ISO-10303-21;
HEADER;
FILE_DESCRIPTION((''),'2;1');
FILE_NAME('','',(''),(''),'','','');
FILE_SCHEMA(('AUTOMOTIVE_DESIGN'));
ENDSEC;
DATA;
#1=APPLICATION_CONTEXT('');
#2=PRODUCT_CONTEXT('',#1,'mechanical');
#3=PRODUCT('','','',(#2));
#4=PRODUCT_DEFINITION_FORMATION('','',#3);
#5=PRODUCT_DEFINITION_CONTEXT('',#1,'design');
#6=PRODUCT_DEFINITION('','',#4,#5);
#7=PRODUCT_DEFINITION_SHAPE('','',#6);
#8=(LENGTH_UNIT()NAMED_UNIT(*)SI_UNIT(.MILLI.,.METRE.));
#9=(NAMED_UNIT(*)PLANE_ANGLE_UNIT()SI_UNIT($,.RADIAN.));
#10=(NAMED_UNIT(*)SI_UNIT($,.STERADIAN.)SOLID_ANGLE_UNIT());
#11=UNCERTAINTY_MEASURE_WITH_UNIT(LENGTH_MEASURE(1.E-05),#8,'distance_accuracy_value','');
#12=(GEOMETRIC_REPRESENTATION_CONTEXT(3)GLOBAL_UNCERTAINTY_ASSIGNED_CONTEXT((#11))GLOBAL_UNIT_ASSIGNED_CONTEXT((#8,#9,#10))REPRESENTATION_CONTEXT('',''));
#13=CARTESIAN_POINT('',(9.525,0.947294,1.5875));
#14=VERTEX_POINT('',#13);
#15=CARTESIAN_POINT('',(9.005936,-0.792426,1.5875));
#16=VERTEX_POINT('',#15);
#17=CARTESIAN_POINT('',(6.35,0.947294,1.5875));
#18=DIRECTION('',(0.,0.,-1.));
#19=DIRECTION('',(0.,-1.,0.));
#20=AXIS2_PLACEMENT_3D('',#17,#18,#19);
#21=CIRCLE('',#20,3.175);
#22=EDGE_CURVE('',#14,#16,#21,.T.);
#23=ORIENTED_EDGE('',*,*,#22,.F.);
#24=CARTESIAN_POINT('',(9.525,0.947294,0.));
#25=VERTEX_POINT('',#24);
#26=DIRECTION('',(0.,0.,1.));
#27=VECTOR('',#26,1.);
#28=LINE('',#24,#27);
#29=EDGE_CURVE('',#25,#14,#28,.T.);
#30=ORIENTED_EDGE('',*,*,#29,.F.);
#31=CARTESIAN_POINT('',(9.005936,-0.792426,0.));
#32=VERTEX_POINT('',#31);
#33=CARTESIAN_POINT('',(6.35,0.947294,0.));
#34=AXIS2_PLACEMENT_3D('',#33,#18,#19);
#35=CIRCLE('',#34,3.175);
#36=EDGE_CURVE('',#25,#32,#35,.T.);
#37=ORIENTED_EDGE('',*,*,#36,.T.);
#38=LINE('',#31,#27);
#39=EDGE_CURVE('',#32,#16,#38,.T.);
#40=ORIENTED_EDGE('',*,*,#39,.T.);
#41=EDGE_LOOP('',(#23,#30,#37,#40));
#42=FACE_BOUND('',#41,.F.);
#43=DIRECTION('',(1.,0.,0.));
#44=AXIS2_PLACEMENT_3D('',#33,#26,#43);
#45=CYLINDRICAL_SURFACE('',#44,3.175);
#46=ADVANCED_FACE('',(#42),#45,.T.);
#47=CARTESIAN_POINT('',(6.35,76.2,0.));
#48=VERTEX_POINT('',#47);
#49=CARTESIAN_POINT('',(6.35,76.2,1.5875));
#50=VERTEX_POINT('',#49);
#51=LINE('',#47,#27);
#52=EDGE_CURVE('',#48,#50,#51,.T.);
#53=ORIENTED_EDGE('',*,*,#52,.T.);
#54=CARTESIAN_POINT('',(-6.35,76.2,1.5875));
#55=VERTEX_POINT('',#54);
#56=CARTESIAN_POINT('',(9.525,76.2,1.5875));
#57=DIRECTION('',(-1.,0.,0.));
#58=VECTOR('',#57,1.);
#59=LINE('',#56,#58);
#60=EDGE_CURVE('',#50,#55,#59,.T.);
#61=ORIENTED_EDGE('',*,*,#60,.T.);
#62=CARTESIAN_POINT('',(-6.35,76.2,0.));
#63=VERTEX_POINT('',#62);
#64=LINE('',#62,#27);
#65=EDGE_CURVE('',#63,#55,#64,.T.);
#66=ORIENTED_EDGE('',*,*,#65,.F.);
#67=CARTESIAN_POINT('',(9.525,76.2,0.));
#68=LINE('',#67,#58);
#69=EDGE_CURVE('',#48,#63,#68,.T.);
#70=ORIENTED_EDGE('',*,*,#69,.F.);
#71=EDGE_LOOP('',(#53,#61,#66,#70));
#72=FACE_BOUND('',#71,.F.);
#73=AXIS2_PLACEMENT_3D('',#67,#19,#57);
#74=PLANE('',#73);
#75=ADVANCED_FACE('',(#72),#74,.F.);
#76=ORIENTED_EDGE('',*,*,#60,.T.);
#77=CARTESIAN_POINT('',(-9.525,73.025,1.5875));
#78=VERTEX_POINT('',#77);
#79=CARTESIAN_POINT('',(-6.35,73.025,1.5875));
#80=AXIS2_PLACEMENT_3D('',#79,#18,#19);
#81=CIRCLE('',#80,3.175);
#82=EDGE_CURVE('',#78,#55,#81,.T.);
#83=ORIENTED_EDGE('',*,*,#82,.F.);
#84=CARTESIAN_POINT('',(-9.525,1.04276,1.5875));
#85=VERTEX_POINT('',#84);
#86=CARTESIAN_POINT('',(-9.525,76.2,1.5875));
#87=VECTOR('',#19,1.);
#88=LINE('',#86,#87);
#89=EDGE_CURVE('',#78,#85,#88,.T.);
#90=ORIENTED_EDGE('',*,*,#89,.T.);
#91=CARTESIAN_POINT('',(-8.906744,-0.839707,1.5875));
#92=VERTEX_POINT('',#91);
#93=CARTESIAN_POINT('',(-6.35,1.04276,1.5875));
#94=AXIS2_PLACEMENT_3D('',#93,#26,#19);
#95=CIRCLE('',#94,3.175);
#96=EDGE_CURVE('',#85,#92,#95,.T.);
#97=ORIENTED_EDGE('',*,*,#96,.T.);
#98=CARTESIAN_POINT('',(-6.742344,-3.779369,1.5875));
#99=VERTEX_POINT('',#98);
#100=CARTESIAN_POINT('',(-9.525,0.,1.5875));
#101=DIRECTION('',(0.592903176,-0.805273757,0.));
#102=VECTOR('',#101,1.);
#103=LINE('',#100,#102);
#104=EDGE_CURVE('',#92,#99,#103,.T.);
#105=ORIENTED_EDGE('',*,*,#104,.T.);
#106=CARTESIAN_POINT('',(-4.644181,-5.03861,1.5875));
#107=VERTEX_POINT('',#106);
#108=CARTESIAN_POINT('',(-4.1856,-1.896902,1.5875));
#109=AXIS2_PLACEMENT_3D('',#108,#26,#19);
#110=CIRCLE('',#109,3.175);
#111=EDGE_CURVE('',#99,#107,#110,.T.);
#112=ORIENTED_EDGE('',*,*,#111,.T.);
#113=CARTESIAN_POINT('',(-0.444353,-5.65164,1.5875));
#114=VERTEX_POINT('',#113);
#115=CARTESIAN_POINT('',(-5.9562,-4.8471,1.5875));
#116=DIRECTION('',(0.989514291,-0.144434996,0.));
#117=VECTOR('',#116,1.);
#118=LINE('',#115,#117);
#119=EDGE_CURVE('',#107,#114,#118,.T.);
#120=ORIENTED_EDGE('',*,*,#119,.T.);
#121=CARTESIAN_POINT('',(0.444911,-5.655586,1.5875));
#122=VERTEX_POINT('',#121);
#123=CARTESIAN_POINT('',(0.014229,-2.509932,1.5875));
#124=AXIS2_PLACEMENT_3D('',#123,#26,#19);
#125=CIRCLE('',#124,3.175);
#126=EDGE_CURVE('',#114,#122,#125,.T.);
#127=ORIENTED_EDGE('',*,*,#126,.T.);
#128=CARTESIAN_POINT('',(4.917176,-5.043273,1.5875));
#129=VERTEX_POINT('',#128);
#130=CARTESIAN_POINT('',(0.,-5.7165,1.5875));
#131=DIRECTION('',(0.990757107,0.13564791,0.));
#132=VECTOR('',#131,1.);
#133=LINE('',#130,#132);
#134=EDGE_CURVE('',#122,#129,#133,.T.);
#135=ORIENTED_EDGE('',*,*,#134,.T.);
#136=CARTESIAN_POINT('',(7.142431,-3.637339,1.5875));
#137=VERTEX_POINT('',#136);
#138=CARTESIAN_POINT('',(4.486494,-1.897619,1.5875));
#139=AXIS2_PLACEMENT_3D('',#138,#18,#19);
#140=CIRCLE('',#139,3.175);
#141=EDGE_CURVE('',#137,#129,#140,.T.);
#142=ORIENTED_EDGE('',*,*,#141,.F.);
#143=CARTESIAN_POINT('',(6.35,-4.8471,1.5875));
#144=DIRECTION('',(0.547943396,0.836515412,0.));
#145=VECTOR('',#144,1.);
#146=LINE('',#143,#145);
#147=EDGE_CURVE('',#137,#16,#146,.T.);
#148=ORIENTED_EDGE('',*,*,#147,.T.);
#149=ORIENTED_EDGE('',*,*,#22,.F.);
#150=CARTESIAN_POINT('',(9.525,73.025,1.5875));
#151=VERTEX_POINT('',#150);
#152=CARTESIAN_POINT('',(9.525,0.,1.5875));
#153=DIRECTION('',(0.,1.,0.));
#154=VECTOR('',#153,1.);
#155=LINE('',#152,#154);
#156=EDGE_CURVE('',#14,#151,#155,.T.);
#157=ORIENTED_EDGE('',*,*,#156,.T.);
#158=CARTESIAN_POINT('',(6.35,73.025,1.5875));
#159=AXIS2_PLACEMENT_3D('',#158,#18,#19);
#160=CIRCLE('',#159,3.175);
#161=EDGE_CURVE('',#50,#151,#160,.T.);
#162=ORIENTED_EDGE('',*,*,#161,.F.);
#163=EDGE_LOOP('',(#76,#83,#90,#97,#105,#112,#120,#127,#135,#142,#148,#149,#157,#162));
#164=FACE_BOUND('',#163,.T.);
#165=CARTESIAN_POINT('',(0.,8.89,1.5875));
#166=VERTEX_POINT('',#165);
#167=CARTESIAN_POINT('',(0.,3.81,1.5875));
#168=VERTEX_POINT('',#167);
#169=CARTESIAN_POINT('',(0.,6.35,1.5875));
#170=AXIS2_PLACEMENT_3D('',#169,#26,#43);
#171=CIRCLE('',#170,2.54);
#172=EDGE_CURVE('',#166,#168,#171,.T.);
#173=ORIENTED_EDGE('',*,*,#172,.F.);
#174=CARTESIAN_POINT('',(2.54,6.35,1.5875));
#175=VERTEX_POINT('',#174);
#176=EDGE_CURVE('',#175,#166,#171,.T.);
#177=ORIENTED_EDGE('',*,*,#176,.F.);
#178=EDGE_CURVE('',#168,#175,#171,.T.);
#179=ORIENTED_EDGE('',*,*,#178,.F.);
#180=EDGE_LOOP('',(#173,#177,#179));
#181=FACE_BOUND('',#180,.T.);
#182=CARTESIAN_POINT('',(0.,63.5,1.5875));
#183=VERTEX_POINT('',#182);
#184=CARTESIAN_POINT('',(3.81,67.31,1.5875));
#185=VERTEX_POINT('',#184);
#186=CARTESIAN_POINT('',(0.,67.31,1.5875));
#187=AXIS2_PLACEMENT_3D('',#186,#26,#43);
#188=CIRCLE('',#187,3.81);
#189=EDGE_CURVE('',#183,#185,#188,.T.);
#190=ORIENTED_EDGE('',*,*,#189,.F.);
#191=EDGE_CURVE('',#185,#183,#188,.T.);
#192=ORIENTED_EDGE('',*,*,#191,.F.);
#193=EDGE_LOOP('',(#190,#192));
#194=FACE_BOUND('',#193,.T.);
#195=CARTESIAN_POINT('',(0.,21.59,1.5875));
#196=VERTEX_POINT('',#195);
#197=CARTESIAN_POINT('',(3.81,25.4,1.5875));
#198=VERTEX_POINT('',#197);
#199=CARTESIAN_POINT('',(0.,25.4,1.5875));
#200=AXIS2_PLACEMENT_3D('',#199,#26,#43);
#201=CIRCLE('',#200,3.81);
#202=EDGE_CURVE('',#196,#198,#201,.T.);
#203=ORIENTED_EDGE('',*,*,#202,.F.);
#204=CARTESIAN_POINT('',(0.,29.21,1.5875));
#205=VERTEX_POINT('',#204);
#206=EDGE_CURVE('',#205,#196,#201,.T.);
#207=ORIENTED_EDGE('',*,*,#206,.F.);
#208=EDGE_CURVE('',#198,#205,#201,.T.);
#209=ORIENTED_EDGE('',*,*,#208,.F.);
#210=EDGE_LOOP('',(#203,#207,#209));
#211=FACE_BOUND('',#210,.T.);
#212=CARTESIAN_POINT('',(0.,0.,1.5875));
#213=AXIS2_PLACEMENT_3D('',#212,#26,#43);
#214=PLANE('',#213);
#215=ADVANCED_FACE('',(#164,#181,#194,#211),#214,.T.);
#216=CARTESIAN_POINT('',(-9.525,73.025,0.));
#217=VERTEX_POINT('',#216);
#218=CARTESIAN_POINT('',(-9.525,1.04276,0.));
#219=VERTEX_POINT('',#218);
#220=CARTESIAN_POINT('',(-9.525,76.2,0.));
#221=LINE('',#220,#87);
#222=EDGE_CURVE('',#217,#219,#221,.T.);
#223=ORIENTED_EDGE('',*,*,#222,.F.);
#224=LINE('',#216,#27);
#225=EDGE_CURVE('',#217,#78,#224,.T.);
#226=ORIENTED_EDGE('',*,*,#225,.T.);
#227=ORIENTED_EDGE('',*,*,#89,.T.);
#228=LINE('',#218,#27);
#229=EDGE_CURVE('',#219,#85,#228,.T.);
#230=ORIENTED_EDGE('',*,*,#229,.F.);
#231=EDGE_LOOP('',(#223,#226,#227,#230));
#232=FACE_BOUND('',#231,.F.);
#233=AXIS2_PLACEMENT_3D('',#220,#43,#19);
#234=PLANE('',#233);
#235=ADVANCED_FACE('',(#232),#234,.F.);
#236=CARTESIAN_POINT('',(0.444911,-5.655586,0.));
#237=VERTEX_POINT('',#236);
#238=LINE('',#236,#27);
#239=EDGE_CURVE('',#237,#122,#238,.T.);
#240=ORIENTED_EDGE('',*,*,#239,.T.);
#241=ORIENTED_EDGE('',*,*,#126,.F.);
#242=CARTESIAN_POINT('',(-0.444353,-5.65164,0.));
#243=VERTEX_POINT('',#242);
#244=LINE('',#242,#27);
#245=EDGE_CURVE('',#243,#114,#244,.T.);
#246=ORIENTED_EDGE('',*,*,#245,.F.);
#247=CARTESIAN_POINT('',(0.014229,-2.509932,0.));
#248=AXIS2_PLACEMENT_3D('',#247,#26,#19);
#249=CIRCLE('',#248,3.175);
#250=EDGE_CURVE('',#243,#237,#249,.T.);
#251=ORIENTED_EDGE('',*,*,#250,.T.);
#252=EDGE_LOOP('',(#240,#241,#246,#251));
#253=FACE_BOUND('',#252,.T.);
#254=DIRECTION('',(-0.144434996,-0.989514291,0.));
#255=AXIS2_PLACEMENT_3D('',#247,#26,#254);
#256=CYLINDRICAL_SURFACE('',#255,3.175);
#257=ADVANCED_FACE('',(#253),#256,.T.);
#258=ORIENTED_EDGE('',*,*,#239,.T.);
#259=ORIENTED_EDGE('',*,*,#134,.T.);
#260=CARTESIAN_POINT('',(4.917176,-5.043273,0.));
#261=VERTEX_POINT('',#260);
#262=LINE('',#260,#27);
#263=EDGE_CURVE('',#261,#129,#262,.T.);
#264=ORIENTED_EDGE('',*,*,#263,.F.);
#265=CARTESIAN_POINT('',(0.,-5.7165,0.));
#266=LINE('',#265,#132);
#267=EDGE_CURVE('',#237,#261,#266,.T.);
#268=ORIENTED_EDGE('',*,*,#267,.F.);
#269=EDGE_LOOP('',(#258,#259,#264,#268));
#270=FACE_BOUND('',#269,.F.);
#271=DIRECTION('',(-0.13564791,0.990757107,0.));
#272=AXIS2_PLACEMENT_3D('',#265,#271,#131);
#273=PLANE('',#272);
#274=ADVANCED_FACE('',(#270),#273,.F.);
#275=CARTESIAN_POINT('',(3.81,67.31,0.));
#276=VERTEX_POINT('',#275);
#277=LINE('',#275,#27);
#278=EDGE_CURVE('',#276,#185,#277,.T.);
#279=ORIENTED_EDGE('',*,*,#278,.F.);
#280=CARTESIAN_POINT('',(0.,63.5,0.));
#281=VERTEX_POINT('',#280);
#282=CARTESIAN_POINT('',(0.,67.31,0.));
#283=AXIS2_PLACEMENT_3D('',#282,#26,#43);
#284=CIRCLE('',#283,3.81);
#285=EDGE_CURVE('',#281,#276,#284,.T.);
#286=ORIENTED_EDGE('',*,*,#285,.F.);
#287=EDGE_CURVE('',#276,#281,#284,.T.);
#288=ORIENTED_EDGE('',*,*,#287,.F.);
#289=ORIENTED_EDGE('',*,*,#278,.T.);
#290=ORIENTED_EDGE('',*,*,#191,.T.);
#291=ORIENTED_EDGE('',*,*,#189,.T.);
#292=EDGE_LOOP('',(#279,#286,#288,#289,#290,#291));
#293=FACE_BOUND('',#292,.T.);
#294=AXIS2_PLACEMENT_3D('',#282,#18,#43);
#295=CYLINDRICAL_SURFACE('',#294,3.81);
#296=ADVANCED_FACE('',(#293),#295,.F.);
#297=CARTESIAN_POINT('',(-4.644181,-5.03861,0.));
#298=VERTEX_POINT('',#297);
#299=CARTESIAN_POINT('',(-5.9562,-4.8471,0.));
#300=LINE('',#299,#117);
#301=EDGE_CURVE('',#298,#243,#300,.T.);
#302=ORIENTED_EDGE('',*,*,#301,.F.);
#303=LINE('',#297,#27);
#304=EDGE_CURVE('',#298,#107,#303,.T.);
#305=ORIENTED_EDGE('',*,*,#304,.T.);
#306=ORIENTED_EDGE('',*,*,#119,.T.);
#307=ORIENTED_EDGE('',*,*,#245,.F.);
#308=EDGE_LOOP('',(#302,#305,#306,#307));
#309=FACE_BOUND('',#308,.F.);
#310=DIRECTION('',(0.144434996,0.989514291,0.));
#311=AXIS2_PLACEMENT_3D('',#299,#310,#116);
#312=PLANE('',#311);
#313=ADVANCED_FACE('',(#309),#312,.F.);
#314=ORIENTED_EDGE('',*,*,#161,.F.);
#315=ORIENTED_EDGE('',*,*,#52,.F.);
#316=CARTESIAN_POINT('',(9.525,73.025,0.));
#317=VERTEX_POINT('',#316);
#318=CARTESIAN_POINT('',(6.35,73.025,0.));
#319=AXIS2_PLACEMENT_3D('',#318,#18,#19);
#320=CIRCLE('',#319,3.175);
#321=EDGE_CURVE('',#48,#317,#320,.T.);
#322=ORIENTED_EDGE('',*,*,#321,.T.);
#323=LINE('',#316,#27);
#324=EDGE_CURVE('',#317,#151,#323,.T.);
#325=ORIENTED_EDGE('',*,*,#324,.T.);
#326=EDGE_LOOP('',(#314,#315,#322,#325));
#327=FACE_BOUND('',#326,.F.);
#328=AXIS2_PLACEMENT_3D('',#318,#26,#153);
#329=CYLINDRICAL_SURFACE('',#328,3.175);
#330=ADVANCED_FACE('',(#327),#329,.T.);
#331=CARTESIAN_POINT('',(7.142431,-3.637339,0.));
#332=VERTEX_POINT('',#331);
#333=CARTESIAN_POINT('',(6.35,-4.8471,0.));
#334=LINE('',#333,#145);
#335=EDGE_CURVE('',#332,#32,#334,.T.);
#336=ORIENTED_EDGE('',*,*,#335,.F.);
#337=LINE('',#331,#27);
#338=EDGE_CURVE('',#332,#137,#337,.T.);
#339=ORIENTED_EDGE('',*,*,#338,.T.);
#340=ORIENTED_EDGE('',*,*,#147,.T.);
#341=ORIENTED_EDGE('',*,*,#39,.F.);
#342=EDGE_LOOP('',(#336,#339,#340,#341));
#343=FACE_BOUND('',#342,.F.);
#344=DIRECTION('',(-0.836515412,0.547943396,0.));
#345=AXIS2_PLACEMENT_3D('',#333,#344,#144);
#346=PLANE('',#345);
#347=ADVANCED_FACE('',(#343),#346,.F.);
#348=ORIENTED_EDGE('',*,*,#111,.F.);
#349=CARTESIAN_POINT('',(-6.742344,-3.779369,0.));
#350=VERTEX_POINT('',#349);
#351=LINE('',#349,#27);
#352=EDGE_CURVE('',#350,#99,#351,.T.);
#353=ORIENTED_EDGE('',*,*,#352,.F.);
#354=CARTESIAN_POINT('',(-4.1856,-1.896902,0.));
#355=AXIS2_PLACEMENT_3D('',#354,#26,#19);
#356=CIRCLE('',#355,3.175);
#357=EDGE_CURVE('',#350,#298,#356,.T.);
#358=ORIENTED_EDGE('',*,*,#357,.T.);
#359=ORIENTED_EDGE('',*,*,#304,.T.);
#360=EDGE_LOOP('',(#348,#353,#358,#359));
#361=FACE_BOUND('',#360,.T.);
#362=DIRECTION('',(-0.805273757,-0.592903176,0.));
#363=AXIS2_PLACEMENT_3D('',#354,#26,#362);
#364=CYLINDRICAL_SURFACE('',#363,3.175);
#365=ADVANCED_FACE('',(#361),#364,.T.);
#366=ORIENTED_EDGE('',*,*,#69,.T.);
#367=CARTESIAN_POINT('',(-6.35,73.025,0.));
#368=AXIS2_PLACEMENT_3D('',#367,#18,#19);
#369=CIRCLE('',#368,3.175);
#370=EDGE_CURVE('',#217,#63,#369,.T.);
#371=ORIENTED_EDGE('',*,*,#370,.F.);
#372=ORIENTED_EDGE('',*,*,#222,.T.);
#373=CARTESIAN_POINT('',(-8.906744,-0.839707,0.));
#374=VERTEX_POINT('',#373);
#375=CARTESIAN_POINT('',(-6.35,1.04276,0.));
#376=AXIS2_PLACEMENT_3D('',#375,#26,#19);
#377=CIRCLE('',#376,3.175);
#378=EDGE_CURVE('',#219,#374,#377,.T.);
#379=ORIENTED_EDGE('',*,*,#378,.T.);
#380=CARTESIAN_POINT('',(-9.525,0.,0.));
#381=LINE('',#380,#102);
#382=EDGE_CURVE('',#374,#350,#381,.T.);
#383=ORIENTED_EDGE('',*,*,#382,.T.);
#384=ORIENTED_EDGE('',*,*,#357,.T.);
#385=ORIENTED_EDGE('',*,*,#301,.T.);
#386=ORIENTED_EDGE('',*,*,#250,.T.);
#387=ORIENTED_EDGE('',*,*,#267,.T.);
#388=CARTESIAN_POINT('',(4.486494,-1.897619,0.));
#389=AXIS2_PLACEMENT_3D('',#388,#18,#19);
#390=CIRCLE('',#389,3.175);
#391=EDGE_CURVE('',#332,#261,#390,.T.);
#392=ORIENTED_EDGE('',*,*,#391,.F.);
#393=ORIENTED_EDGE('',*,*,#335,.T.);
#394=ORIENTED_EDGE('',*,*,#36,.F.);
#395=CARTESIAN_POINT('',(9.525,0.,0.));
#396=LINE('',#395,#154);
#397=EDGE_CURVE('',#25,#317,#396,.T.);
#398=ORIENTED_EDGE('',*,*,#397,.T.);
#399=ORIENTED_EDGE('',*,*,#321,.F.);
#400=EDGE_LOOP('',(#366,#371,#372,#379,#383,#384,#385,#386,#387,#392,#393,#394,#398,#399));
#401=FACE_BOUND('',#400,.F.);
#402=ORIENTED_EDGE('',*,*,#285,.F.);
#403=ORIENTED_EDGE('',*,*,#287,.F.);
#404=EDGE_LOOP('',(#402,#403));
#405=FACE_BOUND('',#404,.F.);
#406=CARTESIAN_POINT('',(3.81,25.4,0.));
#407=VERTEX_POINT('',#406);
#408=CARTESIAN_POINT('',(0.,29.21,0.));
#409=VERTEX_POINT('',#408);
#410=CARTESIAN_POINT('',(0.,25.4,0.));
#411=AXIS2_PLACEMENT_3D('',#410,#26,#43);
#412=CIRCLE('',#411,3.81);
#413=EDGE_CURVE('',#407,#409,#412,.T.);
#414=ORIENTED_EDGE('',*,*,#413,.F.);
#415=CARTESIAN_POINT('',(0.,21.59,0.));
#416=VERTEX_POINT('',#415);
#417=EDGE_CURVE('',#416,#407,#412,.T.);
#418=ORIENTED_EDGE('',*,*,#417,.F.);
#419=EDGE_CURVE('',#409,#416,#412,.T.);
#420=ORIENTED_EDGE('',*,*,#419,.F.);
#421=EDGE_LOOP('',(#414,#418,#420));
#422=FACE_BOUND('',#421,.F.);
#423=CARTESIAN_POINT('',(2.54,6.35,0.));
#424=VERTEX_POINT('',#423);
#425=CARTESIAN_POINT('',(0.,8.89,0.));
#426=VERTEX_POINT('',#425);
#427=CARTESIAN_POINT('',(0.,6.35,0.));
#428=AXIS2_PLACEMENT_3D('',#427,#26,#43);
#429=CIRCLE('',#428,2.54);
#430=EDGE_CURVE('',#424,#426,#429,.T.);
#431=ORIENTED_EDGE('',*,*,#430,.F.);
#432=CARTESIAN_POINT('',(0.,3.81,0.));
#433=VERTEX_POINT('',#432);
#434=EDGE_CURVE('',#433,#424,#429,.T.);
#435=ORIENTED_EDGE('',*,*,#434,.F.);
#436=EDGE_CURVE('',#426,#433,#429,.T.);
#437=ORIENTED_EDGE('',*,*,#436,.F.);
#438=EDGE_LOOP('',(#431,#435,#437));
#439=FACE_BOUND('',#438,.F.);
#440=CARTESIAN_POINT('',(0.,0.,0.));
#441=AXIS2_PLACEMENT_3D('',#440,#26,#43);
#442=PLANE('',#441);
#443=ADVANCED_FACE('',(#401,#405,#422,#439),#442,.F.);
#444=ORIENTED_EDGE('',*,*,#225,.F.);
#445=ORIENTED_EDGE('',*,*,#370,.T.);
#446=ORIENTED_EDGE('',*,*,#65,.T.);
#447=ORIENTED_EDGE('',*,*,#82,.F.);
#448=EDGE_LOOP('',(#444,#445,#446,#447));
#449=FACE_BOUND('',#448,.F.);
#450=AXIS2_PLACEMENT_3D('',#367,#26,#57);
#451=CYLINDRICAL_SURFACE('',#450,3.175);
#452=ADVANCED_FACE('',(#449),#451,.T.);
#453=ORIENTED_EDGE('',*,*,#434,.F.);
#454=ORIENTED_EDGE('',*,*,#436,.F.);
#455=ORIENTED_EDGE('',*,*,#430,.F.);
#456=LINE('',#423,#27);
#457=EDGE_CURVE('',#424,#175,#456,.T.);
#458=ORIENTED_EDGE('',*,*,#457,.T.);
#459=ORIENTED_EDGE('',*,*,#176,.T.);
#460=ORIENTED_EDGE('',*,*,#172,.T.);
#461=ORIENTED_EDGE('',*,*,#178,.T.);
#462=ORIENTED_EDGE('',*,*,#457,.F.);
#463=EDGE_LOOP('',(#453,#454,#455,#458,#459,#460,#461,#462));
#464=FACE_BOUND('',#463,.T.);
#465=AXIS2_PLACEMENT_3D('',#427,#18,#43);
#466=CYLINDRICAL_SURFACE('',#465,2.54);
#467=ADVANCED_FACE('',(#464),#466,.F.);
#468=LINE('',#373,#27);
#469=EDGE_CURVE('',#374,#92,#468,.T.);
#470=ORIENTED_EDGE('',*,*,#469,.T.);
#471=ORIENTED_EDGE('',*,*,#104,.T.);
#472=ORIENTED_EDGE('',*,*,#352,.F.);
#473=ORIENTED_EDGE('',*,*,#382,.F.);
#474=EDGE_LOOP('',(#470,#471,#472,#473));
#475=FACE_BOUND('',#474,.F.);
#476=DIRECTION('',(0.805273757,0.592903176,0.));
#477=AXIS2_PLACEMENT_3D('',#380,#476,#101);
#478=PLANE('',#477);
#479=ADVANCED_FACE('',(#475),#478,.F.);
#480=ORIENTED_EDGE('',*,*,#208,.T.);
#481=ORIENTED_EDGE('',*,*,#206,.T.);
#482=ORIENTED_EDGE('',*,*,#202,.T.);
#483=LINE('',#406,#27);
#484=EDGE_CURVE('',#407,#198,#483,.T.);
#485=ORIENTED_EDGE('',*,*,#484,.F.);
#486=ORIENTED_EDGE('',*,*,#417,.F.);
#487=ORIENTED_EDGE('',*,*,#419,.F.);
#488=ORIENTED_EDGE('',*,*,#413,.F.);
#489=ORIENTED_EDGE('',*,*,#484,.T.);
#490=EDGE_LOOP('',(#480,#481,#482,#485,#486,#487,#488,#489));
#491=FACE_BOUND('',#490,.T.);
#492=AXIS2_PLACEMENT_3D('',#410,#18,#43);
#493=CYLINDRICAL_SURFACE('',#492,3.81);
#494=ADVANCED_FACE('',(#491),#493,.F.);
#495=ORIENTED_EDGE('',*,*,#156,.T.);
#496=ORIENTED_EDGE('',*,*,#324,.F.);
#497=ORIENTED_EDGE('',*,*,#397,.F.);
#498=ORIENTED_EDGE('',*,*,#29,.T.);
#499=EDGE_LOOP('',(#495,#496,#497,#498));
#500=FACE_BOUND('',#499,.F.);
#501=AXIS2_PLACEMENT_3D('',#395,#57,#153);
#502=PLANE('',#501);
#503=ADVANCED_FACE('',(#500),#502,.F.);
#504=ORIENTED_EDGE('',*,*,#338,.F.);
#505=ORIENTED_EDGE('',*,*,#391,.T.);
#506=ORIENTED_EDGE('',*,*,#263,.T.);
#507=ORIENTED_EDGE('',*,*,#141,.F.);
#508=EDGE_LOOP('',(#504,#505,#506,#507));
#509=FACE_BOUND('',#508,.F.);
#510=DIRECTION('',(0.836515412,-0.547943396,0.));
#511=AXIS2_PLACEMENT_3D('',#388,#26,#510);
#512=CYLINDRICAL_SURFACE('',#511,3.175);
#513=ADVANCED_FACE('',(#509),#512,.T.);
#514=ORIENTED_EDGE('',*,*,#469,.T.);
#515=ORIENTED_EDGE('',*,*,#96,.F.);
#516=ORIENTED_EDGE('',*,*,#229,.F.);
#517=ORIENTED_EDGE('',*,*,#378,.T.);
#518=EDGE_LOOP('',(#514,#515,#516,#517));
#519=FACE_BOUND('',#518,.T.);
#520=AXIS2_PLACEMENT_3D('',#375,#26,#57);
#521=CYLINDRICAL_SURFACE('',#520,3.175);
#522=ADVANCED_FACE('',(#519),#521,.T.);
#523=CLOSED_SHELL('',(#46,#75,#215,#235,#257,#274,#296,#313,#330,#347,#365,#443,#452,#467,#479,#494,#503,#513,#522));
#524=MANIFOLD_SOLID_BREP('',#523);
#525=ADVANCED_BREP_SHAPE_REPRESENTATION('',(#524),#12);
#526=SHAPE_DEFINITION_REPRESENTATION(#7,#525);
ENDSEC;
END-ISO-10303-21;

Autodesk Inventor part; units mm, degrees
ref_plane "YZ Plane" through (0, 0, 0) normal (1, 0, 0) x (0, 1, 0)
ref_plane "XZ Plane" through (0, 0, 0) normal (0, 1, 0) x (-1, 0, 0)
ref_plane "XY Plane" through (0, 0, 0) normal (0, 0, 1) x (1, 0, 0)
sketch "Sketch1" plane through (0, 0, 0) normal (0, 0, 1) x (1, 0, 0)
  line L0 (0, 0) -> (12.7, 0)
  line L1 (9.525, 0) -> (9.525, 76.2)
  line L2 (9.525, 76.2) -> (-9.525, 76.2)
  line L3 (-9.525, 76.2) -> (-9.525, 0)
  line L4 (-9.525, 0) -> (0, -5.7165)
  line L5 (0, -5.7165) -> (9.525, 0)
  line L6 (-9.525, 0) -> (-5.9562, -4.8471)
  line L7 (-5.9562, -4.8471) -> (0, -5.7165)
  line L8 (0, -5.7165) -> (6.35, -4.8471)
  line L9 (6.35, -4.8471) -> (9.525, 0)
  line L10 (-9.525, 0) -> (0, 0)
  line L11 (0, 0) -> (0, 6.35)
  line L12 (0, 6.35) -> (0, 25.4)
  circle A0 centre (0, 25.4) radius 3.81
  circle A1 centre (0, 6.35) radius 2.54
  line L13 (0, 21.59) -> (0, 8.89)
  line L14 (0, 29.21) -> (0, 67.31)
  circle A2 centre (0, 67.31) radius 3.81
  dimension "d29" = 5.08
  dimension "d7" = 76.2
  dimension "d22" = 6.35
  dimension "d23" = 19.05
  dimension "d28" = 7.62
  dimension "d30" = 38.1
  dimension "d31" = 7.62
extrude "Extrusion5" add sketch "Sketch1" along normal blind 1.5875
fillet "Fillet4" radius 3.175 7 edges at (6.35, -4.8471, 0.7937) (9.525, 0, 0.7937) (0, -5.7165, 0.7937) (-5.9562, -4.8471, 0.7937) (-9.525, 0, 0.7937) (9.525, 76.2, 0.7937) (-9.525, 76.2, 0.7937)
properties part number "PTOPoly"
